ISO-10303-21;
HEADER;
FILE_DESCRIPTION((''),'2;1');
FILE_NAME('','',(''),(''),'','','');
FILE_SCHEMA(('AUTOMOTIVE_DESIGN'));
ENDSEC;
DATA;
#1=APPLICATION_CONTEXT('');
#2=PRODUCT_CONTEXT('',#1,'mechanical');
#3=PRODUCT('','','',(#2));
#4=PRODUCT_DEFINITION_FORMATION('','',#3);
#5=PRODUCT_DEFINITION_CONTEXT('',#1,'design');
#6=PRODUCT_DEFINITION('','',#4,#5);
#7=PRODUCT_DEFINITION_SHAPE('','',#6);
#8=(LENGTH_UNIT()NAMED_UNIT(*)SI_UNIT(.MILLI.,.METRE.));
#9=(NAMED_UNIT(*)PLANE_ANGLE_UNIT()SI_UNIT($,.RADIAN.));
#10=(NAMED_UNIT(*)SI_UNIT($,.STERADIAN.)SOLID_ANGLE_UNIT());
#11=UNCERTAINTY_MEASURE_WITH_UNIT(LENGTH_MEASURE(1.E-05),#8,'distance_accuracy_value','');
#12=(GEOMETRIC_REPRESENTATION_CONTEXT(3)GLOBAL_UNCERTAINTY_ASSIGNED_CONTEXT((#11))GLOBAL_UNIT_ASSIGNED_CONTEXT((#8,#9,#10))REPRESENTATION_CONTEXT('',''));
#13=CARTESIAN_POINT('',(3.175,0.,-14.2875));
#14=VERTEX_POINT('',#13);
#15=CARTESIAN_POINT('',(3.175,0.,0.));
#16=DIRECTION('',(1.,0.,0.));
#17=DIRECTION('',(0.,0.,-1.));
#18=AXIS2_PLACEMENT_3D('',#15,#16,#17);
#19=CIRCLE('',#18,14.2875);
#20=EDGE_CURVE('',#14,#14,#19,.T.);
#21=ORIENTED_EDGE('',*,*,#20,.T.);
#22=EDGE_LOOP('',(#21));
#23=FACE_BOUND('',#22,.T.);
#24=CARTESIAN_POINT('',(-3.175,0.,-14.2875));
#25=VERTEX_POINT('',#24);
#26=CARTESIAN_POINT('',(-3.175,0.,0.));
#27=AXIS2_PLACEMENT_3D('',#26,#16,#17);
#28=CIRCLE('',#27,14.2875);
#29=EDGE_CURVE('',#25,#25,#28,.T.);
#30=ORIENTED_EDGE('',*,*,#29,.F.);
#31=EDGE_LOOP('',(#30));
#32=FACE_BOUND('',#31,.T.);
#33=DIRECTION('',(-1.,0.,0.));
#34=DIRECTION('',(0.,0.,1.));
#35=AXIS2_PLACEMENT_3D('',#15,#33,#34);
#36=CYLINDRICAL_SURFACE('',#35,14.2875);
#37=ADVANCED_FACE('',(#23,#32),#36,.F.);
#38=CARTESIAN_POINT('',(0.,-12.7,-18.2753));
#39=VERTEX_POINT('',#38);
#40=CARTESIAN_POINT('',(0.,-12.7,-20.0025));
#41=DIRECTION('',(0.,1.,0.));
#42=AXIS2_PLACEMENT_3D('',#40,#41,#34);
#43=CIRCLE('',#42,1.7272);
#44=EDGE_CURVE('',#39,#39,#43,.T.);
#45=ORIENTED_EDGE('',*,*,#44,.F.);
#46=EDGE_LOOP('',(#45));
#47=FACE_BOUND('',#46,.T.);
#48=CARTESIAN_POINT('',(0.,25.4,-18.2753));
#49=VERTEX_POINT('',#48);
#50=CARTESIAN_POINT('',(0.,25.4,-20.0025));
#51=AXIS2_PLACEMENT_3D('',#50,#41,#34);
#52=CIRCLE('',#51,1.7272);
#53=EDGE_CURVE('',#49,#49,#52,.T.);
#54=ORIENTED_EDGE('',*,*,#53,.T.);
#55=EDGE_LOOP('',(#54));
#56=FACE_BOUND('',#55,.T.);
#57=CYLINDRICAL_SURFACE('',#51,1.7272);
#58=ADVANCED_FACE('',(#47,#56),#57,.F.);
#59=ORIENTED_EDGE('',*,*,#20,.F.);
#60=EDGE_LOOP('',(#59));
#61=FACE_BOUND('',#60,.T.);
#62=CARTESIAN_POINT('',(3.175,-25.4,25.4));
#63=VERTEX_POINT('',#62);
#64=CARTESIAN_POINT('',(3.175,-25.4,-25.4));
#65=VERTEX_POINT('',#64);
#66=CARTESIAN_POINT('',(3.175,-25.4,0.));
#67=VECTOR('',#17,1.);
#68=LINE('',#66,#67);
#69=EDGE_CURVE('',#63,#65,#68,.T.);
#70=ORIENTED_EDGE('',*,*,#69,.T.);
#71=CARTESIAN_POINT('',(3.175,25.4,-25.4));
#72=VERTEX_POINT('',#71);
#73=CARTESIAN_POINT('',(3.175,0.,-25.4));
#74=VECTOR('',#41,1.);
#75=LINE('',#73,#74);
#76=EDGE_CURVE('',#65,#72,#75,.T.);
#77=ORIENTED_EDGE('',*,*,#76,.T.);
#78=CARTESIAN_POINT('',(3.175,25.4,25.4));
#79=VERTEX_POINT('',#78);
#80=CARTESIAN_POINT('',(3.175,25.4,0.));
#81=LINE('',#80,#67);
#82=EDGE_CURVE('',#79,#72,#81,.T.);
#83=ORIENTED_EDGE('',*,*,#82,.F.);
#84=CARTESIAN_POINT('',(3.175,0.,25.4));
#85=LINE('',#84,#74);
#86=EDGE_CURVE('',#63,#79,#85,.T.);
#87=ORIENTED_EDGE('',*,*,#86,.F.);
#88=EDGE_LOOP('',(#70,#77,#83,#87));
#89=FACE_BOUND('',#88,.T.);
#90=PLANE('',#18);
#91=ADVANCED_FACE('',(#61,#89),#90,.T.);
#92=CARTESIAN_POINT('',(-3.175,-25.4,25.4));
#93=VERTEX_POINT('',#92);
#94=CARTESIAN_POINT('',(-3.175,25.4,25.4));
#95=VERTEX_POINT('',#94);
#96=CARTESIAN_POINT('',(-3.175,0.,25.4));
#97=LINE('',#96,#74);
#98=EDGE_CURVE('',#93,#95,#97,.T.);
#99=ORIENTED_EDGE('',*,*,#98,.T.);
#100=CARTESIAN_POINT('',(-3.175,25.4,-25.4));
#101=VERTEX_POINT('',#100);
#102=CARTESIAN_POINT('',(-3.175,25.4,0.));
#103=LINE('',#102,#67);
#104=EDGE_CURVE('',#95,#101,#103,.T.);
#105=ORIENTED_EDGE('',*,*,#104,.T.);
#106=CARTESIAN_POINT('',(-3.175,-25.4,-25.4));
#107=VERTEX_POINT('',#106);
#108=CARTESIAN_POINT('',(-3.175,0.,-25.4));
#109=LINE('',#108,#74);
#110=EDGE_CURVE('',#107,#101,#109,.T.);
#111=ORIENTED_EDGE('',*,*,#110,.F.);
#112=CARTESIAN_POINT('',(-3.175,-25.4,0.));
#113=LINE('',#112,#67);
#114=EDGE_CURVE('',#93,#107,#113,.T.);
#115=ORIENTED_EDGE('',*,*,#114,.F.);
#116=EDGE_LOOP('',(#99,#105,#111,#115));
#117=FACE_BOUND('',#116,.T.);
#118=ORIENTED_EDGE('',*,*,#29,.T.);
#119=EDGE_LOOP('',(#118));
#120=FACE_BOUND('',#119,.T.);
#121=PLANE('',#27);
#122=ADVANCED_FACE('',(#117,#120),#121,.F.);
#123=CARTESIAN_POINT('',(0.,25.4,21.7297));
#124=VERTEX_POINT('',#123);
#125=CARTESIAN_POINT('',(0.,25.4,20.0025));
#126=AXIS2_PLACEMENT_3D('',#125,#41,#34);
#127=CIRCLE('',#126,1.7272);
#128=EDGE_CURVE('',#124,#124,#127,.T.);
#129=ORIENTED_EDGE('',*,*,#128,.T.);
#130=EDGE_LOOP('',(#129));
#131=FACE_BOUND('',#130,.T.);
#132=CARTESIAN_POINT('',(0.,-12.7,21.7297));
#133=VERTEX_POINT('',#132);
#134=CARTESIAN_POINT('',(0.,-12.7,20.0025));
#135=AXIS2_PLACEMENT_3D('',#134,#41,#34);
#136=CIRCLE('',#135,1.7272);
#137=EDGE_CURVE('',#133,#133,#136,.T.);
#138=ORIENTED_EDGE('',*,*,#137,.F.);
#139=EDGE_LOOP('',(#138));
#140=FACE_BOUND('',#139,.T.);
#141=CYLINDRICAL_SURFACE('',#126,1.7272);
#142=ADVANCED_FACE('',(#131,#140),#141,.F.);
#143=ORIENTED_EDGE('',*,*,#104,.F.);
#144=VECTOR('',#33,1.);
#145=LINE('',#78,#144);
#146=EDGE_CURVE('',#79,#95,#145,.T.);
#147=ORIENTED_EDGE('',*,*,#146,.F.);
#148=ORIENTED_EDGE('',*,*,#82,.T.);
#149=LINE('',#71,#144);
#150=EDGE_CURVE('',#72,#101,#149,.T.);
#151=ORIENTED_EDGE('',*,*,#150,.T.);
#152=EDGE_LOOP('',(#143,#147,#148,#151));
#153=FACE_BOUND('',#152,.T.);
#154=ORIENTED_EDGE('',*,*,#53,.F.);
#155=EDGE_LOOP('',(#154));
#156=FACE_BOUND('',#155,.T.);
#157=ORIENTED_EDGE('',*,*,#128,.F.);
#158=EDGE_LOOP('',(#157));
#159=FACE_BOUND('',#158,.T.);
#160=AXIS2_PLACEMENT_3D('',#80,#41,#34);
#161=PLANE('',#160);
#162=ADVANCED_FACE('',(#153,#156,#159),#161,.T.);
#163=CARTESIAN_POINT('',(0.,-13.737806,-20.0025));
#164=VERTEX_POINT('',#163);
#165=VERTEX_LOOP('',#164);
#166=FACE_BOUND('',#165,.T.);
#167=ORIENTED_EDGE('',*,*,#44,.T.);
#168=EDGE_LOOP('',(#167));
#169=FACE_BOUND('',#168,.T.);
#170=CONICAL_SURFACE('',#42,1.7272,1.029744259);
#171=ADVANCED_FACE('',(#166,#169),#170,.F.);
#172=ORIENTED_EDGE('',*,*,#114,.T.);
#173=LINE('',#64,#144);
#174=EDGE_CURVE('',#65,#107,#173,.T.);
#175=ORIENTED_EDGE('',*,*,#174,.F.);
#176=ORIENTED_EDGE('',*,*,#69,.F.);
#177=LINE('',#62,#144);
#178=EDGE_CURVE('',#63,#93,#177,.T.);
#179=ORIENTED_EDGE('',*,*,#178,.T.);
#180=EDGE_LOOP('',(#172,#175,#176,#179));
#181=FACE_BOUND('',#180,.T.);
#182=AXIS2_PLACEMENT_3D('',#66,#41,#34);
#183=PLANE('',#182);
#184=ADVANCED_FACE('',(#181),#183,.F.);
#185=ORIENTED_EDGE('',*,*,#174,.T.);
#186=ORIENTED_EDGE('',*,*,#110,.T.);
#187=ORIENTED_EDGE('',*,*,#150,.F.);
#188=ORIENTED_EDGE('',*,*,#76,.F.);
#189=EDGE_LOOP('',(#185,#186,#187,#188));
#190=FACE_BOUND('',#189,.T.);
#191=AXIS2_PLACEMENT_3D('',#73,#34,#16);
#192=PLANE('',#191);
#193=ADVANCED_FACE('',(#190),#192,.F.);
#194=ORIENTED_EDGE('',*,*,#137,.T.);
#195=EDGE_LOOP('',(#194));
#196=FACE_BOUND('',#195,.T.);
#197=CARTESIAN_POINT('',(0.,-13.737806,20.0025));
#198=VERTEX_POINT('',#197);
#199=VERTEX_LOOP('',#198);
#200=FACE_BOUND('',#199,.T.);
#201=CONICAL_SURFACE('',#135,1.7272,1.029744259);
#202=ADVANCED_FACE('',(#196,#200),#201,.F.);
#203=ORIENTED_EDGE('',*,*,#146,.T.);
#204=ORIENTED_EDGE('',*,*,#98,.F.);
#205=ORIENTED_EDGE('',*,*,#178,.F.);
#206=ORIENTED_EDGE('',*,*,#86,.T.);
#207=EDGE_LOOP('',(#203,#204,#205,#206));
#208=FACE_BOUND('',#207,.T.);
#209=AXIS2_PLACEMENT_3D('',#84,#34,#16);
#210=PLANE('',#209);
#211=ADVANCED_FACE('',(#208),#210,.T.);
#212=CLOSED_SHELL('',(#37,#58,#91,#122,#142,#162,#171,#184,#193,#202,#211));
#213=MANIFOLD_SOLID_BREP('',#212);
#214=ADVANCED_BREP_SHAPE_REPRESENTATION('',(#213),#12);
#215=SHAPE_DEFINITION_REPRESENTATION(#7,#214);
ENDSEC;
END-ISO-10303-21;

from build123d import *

# Parameters (mm, degrees)
SKETCH1_W                       = 50.8
SKETCH1_H                       = 50.8
SKETCH1_R                       = 14.2875
BOSS_EXTRUDE1_DEPTH             = 3.175
F_29_0_136_DIAMETER_HOLE1_D     = 3.4544
F_29_0_136_DIAMETER_HOLE1_DEPTH = 38.1
F_29_0_136_DIAMETER_HOLE1_TIP   = 1.037806461


with BuildPart() as part:
    # Sketch1 → Boss-Extrude1 (new, symmetric)
    with BuildSketch(Plane(origin=(0, 0, 0), x_dir=(0, 0, -1), z_dir=(1, 0, 0))):
        Rectangle(SKETCH1_W, SKETCH1_H)
        Circle(SKETCH1_R, mode=Mode.SUBTRACT)
    extrude(amount=BOSS_EXTRUDE1_DEPTH, both=True)

    # #29 (0.136) Diameter Hole1
    with Locations(Plane(origin=(0, 25.4, 20.0025), x_dir=(0, 0, 1), z_dir=(0, 1, 0))):
        with Locations((0, 0), (-40.005, 0)):
            Hole(F_29_0_136_DIAMETER_HOLE1_D / 2, depth=F_29_0_136_DIAMETER_HOLE1_DEPTH)
            with Locations((0, 0, -(F_29_0_136_DIAMETER_HOLE1_DEPTH + F_29_0_136_DIAMETER_HOLE1_TIP / 2))):  # 118° drill point
                Cone(0, F_29_0_136_DIAMETER_HOLE1_D / 2, F_29_0_136_DIAMETER_HOLE1_TIP, mode=Mode.SUBTRACT)


solid = part.part
